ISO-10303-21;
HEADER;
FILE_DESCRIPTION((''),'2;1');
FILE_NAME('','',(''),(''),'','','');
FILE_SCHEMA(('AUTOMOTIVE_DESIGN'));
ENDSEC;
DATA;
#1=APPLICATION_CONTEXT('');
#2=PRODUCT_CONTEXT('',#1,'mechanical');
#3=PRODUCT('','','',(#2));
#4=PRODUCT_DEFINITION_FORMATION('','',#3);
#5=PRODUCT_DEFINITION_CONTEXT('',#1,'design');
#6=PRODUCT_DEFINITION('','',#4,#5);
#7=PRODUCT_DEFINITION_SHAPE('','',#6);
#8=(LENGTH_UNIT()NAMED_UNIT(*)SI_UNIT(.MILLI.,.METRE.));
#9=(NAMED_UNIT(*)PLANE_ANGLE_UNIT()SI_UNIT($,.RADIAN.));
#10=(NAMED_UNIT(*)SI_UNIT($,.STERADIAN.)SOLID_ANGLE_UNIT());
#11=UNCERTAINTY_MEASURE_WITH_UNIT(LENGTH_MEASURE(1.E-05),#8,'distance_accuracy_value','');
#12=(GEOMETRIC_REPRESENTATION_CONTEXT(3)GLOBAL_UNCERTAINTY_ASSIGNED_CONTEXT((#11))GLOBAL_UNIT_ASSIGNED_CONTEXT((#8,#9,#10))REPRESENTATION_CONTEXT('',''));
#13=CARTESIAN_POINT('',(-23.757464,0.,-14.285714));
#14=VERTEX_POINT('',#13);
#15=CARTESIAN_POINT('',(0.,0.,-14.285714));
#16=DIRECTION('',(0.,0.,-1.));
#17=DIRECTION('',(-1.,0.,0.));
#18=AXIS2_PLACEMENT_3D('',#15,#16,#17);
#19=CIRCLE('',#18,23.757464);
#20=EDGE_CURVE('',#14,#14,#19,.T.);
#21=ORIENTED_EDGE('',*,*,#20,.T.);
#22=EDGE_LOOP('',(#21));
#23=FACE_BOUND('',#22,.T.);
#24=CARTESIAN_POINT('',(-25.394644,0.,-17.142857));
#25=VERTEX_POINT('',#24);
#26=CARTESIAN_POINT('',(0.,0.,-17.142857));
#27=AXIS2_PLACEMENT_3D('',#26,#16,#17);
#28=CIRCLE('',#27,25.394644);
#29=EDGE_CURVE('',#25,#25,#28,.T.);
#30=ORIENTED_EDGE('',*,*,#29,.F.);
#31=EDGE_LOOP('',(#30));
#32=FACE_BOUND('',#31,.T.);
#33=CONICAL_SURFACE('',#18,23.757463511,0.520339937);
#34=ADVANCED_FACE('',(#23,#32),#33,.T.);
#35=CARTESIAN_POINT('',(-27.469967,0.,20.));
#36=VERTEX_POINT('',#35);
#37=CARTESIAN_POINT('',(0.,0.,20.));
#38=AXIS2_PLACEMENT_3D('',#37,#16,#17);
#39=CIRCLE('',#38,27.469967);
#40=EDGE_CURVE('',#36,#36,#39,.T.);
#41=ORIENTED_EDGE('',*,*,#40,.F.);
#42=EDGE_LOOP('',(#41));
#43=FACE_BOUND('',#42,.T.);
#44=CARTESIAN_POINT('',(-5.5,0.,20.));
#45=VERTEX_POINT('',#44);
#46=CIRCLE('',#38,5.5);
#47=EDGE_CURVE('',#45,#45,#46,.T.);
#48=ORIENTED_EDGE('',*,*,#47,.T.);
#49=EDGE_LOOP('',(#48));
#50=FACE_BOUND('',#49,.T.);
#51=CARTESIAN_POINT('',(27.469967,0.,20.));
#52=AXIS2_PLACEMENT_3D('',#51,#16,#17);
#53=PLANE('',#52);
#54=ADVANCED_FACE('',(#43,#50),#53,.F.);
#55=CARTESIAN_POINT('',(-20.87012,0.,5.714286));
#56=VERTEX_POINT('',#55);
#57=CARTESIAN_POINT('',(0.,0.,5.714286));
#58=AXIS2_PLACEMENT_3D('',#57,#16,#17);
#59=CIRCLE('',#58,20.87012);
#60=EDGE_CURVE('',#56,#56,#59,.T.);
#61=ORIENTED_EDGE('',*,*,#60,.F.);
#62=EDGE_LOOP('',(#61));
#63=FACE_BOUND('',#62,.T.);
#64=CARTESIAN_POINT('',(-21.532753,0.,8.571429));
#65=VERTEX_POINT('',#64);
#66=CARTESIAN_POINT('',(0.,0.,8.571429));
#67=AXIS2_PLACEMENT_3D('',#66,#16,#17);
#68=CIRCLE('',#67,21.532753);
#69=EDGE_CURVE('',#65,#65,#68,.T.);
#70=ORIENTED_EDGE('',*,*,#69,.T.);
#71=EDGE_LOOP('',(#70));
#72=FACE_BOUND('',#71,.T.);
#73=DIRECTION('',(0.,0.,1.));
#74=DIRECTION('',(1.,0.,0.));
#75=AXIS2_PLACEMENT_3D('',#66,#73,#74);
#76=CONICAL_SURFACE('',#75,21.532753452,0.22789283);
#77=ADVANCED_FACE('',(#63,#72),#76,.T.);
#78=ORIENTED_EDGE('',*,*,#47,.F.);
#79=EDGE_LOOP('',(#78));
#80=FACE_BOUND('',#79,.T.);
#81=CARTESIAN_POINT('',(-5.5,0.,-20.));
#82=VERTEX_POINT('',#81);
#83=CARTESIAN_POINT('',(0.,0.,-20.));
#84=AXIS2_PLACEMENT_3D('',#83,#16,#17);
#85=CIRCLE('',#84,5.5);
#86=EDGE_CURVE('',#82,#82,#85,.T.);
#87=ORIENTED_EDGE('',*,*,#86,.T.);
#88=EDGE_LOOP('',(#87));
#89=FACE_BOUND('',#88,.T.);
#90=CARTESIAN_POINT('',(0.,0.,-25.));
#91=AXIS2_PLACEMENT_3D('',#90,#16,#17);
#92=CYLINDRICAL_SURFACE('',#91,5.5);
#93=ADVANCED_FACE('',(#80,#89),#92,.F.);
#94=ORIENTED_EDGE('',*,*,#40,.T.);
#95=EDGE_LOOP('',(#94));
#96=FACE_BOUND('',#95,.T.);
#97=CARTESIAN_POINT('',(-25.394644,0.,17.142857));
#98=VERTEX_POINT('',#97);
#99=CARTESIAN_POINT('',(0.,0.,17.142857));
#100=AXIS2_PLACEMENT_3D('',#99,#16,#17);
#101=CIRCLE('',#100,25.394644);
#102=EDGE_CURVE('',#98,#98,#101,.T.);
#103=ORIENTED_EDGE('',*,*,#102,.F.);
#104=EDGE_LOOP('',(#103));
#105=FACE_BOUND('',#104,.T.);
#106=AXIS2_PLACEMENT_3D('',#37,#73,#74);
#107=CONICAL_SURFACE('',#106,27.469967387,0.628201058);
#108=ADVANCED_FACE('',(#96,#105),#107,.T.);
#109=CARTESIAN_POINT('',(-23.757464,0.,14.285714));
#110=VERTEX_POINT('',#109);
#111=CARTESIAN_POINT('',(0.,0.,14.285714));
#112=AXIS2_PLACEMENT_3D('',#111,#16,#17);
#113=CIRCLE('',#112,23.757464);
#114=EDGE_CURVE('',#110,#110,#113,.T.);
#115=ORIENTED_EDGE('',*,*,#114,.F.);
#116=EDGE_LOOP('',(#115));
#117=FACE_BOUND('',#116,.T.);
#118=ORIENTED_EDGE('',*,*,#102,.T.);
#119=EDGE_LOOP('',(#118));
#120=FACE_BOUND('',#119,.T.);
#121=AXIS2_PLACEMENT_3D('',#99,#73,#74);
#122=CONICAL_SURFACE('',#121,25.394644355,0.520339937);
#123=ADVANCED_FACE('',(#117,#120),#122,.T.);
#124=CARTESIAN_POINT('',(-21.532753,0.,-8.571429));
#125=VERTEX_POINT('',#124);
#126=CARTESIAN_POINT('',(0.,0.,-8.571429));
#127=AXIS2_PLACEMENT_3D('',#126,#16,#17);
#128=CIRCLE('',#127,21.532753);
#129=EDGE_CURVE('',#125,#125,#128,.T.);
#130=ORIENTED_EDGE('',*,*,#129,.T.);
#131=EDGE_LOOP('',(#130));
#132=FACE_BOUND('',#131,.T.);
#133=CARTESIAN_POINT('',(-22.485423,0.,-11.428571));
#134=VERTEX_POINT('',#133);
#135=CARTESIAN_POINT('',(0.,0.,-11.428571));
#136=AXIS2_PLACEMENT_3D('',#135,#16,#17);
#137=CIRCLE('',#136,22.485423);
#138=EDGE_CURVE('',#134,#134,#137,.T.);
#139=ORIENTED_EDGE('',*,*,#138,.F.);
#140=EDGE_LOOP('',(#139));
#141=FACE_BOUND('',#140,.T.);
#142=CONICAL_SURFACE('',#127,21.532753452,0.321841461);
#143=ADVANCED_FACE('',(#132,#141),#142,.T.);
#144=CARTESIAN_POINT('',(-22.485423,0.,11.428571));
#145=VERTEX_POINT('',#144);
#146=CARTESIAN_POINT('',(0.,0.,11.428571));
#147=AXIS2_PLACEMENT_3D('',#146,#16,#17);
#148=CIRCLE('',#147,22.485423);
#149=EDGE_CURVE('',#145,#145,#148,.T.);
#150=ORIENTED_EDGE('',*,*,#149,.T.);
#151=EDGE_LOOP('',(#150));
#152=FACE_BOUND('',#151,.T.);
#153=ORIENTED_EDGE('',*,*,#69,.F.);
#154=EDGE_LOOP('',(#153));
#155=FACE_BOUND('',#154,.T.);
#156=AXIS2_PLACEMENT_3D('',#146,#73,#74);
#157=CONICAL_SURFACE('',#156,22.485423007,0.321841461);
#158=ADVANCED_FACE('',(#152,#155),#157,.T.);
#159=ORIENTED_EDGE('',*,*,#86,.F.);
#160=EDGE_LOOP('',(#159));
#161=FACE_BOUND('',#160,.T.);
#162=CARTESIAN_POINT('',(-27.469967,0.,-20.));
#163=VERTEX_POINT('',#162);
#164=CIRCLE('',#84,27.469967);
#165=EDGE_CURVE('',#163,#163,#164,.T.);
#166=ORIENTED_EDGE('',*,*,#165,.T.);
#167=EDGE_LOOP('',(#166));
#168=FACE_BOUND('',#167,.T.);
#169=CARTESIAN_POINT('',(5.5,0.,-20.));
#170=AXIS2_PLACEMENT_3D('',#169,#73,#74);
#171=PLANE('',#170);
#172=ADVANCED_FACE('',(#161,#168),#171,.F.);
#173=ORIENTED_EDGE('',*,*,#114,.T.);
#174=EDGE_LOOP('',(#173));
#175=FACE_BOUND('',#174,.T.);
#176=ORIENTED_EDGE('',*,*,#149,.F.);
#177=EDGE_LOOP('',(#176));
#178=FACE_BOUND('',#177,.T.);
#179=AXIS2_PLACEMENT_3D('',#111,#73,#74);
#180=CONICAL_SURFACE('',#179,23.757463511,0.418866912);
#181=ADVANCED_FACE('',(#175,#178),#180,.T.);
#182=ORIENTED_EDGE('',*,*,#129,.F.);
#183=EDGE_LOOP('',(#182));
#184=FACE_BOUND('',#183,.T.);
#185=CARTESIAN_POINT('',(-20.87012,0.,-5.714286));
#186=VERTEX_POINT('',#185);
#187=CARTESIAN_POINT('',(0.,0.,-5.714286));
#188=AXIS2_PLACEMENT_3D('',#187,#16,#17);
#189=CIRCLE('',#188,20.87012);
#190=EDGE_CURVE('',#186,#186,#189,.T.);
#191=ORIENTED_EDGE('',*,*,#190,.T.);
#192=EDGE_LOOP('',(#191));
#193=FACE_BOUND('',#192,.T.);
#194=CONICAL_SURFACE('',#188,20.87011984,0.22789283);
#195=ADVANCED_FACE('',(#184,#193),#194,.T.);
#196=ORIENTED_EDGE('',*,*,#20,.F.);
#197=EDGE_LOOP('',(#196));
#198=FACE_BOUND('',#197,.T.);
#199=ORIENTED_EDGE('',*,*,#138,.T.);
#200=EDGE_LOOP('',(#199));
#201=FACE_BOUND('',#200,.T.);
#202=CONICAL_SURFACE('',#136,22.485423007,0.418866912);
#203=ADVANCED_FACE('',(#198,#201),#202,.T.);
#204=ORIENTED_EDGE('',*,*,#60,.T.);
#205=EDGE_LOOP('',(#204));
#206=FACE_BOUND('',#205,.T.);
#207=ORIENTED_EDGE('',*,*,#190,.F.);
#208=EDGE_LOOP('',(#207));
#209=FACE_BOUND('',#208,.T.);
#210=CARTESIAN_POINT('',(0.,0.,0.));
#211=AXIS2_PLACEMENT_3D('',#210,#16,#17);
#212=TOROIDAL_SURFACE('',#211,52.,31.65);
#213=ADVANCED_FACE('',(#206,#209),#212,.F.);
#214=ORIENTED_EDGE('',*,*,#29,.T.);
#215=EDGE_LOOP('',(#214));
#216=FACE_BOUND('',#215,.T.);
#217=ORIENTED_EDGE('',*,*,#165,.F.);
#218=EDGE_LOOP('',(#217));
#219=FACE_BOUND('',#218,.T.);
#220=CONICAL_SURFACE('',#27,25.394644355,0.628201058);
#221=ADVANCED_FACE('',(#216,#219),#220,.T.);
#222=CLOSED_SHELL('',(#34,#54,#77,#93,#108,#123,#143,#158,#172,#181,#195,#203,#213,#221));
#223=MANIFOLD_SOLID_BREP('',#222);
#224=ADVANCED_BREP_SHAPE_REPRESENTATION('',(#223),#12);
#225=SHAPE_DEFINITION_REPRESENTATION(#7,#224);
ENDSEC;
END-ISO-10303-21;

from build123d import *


with BuildPart() as part:
    # Revolve profile 1 → Revolve 1 (revolve)
    with BuildSketch(Plane(origin=(0, 0, 0), x_dir=(1, 0, 0), z_dir=(0, 1, 0)), mode=Mode.PRIVATE) as revolve_1_sk:
        with BuildLine():
            Line((5.5, -20), (5.5, 20))
            Line((5.5, 20), (27.469967387, 20))
            Line((27.469967387, 20), (25.394644355, 17.142857143))
            Line((25.394644355, 17.142857143), (23.757463511, 14.285714286))
            Line((23.757463511, 14.285714286), (22.485423007, 11.428571429))
            Line((22.485423007, 11.428571429), (21.532753452, 8.571428571))
            Line((21.532753452, 8.571428571), (20.87011984, 5.714285714))
            ThreePointArc((20.87011984, 5.714285714), (20.35, 0), (20.87011984, -5.714285714))
            Line((20.87011984, -5.714285714), (21.532753452, -8.571428571))
            Line((21.532753452, -8.571428571), (22.485423007, -11.428571429))
            Line((22.485423007, -11.428571429), (23.757463511, -14.285714286))
            Line((23.757463511, -14.285714286), (25.394644355, -17.142857143))
            Line((25.394644355, -17.142857143), (27.469967387, -20))
            Line((27.469967387, -20), (5.5, -20))
        make_face()
    revolve(revolve_1_sk.sketch.rotate(Axis((0, 0, -25), (0, 0, 1)), 180), axis=Axis((0, 0, -25), (0, 0, 1)))


solid = part.part
